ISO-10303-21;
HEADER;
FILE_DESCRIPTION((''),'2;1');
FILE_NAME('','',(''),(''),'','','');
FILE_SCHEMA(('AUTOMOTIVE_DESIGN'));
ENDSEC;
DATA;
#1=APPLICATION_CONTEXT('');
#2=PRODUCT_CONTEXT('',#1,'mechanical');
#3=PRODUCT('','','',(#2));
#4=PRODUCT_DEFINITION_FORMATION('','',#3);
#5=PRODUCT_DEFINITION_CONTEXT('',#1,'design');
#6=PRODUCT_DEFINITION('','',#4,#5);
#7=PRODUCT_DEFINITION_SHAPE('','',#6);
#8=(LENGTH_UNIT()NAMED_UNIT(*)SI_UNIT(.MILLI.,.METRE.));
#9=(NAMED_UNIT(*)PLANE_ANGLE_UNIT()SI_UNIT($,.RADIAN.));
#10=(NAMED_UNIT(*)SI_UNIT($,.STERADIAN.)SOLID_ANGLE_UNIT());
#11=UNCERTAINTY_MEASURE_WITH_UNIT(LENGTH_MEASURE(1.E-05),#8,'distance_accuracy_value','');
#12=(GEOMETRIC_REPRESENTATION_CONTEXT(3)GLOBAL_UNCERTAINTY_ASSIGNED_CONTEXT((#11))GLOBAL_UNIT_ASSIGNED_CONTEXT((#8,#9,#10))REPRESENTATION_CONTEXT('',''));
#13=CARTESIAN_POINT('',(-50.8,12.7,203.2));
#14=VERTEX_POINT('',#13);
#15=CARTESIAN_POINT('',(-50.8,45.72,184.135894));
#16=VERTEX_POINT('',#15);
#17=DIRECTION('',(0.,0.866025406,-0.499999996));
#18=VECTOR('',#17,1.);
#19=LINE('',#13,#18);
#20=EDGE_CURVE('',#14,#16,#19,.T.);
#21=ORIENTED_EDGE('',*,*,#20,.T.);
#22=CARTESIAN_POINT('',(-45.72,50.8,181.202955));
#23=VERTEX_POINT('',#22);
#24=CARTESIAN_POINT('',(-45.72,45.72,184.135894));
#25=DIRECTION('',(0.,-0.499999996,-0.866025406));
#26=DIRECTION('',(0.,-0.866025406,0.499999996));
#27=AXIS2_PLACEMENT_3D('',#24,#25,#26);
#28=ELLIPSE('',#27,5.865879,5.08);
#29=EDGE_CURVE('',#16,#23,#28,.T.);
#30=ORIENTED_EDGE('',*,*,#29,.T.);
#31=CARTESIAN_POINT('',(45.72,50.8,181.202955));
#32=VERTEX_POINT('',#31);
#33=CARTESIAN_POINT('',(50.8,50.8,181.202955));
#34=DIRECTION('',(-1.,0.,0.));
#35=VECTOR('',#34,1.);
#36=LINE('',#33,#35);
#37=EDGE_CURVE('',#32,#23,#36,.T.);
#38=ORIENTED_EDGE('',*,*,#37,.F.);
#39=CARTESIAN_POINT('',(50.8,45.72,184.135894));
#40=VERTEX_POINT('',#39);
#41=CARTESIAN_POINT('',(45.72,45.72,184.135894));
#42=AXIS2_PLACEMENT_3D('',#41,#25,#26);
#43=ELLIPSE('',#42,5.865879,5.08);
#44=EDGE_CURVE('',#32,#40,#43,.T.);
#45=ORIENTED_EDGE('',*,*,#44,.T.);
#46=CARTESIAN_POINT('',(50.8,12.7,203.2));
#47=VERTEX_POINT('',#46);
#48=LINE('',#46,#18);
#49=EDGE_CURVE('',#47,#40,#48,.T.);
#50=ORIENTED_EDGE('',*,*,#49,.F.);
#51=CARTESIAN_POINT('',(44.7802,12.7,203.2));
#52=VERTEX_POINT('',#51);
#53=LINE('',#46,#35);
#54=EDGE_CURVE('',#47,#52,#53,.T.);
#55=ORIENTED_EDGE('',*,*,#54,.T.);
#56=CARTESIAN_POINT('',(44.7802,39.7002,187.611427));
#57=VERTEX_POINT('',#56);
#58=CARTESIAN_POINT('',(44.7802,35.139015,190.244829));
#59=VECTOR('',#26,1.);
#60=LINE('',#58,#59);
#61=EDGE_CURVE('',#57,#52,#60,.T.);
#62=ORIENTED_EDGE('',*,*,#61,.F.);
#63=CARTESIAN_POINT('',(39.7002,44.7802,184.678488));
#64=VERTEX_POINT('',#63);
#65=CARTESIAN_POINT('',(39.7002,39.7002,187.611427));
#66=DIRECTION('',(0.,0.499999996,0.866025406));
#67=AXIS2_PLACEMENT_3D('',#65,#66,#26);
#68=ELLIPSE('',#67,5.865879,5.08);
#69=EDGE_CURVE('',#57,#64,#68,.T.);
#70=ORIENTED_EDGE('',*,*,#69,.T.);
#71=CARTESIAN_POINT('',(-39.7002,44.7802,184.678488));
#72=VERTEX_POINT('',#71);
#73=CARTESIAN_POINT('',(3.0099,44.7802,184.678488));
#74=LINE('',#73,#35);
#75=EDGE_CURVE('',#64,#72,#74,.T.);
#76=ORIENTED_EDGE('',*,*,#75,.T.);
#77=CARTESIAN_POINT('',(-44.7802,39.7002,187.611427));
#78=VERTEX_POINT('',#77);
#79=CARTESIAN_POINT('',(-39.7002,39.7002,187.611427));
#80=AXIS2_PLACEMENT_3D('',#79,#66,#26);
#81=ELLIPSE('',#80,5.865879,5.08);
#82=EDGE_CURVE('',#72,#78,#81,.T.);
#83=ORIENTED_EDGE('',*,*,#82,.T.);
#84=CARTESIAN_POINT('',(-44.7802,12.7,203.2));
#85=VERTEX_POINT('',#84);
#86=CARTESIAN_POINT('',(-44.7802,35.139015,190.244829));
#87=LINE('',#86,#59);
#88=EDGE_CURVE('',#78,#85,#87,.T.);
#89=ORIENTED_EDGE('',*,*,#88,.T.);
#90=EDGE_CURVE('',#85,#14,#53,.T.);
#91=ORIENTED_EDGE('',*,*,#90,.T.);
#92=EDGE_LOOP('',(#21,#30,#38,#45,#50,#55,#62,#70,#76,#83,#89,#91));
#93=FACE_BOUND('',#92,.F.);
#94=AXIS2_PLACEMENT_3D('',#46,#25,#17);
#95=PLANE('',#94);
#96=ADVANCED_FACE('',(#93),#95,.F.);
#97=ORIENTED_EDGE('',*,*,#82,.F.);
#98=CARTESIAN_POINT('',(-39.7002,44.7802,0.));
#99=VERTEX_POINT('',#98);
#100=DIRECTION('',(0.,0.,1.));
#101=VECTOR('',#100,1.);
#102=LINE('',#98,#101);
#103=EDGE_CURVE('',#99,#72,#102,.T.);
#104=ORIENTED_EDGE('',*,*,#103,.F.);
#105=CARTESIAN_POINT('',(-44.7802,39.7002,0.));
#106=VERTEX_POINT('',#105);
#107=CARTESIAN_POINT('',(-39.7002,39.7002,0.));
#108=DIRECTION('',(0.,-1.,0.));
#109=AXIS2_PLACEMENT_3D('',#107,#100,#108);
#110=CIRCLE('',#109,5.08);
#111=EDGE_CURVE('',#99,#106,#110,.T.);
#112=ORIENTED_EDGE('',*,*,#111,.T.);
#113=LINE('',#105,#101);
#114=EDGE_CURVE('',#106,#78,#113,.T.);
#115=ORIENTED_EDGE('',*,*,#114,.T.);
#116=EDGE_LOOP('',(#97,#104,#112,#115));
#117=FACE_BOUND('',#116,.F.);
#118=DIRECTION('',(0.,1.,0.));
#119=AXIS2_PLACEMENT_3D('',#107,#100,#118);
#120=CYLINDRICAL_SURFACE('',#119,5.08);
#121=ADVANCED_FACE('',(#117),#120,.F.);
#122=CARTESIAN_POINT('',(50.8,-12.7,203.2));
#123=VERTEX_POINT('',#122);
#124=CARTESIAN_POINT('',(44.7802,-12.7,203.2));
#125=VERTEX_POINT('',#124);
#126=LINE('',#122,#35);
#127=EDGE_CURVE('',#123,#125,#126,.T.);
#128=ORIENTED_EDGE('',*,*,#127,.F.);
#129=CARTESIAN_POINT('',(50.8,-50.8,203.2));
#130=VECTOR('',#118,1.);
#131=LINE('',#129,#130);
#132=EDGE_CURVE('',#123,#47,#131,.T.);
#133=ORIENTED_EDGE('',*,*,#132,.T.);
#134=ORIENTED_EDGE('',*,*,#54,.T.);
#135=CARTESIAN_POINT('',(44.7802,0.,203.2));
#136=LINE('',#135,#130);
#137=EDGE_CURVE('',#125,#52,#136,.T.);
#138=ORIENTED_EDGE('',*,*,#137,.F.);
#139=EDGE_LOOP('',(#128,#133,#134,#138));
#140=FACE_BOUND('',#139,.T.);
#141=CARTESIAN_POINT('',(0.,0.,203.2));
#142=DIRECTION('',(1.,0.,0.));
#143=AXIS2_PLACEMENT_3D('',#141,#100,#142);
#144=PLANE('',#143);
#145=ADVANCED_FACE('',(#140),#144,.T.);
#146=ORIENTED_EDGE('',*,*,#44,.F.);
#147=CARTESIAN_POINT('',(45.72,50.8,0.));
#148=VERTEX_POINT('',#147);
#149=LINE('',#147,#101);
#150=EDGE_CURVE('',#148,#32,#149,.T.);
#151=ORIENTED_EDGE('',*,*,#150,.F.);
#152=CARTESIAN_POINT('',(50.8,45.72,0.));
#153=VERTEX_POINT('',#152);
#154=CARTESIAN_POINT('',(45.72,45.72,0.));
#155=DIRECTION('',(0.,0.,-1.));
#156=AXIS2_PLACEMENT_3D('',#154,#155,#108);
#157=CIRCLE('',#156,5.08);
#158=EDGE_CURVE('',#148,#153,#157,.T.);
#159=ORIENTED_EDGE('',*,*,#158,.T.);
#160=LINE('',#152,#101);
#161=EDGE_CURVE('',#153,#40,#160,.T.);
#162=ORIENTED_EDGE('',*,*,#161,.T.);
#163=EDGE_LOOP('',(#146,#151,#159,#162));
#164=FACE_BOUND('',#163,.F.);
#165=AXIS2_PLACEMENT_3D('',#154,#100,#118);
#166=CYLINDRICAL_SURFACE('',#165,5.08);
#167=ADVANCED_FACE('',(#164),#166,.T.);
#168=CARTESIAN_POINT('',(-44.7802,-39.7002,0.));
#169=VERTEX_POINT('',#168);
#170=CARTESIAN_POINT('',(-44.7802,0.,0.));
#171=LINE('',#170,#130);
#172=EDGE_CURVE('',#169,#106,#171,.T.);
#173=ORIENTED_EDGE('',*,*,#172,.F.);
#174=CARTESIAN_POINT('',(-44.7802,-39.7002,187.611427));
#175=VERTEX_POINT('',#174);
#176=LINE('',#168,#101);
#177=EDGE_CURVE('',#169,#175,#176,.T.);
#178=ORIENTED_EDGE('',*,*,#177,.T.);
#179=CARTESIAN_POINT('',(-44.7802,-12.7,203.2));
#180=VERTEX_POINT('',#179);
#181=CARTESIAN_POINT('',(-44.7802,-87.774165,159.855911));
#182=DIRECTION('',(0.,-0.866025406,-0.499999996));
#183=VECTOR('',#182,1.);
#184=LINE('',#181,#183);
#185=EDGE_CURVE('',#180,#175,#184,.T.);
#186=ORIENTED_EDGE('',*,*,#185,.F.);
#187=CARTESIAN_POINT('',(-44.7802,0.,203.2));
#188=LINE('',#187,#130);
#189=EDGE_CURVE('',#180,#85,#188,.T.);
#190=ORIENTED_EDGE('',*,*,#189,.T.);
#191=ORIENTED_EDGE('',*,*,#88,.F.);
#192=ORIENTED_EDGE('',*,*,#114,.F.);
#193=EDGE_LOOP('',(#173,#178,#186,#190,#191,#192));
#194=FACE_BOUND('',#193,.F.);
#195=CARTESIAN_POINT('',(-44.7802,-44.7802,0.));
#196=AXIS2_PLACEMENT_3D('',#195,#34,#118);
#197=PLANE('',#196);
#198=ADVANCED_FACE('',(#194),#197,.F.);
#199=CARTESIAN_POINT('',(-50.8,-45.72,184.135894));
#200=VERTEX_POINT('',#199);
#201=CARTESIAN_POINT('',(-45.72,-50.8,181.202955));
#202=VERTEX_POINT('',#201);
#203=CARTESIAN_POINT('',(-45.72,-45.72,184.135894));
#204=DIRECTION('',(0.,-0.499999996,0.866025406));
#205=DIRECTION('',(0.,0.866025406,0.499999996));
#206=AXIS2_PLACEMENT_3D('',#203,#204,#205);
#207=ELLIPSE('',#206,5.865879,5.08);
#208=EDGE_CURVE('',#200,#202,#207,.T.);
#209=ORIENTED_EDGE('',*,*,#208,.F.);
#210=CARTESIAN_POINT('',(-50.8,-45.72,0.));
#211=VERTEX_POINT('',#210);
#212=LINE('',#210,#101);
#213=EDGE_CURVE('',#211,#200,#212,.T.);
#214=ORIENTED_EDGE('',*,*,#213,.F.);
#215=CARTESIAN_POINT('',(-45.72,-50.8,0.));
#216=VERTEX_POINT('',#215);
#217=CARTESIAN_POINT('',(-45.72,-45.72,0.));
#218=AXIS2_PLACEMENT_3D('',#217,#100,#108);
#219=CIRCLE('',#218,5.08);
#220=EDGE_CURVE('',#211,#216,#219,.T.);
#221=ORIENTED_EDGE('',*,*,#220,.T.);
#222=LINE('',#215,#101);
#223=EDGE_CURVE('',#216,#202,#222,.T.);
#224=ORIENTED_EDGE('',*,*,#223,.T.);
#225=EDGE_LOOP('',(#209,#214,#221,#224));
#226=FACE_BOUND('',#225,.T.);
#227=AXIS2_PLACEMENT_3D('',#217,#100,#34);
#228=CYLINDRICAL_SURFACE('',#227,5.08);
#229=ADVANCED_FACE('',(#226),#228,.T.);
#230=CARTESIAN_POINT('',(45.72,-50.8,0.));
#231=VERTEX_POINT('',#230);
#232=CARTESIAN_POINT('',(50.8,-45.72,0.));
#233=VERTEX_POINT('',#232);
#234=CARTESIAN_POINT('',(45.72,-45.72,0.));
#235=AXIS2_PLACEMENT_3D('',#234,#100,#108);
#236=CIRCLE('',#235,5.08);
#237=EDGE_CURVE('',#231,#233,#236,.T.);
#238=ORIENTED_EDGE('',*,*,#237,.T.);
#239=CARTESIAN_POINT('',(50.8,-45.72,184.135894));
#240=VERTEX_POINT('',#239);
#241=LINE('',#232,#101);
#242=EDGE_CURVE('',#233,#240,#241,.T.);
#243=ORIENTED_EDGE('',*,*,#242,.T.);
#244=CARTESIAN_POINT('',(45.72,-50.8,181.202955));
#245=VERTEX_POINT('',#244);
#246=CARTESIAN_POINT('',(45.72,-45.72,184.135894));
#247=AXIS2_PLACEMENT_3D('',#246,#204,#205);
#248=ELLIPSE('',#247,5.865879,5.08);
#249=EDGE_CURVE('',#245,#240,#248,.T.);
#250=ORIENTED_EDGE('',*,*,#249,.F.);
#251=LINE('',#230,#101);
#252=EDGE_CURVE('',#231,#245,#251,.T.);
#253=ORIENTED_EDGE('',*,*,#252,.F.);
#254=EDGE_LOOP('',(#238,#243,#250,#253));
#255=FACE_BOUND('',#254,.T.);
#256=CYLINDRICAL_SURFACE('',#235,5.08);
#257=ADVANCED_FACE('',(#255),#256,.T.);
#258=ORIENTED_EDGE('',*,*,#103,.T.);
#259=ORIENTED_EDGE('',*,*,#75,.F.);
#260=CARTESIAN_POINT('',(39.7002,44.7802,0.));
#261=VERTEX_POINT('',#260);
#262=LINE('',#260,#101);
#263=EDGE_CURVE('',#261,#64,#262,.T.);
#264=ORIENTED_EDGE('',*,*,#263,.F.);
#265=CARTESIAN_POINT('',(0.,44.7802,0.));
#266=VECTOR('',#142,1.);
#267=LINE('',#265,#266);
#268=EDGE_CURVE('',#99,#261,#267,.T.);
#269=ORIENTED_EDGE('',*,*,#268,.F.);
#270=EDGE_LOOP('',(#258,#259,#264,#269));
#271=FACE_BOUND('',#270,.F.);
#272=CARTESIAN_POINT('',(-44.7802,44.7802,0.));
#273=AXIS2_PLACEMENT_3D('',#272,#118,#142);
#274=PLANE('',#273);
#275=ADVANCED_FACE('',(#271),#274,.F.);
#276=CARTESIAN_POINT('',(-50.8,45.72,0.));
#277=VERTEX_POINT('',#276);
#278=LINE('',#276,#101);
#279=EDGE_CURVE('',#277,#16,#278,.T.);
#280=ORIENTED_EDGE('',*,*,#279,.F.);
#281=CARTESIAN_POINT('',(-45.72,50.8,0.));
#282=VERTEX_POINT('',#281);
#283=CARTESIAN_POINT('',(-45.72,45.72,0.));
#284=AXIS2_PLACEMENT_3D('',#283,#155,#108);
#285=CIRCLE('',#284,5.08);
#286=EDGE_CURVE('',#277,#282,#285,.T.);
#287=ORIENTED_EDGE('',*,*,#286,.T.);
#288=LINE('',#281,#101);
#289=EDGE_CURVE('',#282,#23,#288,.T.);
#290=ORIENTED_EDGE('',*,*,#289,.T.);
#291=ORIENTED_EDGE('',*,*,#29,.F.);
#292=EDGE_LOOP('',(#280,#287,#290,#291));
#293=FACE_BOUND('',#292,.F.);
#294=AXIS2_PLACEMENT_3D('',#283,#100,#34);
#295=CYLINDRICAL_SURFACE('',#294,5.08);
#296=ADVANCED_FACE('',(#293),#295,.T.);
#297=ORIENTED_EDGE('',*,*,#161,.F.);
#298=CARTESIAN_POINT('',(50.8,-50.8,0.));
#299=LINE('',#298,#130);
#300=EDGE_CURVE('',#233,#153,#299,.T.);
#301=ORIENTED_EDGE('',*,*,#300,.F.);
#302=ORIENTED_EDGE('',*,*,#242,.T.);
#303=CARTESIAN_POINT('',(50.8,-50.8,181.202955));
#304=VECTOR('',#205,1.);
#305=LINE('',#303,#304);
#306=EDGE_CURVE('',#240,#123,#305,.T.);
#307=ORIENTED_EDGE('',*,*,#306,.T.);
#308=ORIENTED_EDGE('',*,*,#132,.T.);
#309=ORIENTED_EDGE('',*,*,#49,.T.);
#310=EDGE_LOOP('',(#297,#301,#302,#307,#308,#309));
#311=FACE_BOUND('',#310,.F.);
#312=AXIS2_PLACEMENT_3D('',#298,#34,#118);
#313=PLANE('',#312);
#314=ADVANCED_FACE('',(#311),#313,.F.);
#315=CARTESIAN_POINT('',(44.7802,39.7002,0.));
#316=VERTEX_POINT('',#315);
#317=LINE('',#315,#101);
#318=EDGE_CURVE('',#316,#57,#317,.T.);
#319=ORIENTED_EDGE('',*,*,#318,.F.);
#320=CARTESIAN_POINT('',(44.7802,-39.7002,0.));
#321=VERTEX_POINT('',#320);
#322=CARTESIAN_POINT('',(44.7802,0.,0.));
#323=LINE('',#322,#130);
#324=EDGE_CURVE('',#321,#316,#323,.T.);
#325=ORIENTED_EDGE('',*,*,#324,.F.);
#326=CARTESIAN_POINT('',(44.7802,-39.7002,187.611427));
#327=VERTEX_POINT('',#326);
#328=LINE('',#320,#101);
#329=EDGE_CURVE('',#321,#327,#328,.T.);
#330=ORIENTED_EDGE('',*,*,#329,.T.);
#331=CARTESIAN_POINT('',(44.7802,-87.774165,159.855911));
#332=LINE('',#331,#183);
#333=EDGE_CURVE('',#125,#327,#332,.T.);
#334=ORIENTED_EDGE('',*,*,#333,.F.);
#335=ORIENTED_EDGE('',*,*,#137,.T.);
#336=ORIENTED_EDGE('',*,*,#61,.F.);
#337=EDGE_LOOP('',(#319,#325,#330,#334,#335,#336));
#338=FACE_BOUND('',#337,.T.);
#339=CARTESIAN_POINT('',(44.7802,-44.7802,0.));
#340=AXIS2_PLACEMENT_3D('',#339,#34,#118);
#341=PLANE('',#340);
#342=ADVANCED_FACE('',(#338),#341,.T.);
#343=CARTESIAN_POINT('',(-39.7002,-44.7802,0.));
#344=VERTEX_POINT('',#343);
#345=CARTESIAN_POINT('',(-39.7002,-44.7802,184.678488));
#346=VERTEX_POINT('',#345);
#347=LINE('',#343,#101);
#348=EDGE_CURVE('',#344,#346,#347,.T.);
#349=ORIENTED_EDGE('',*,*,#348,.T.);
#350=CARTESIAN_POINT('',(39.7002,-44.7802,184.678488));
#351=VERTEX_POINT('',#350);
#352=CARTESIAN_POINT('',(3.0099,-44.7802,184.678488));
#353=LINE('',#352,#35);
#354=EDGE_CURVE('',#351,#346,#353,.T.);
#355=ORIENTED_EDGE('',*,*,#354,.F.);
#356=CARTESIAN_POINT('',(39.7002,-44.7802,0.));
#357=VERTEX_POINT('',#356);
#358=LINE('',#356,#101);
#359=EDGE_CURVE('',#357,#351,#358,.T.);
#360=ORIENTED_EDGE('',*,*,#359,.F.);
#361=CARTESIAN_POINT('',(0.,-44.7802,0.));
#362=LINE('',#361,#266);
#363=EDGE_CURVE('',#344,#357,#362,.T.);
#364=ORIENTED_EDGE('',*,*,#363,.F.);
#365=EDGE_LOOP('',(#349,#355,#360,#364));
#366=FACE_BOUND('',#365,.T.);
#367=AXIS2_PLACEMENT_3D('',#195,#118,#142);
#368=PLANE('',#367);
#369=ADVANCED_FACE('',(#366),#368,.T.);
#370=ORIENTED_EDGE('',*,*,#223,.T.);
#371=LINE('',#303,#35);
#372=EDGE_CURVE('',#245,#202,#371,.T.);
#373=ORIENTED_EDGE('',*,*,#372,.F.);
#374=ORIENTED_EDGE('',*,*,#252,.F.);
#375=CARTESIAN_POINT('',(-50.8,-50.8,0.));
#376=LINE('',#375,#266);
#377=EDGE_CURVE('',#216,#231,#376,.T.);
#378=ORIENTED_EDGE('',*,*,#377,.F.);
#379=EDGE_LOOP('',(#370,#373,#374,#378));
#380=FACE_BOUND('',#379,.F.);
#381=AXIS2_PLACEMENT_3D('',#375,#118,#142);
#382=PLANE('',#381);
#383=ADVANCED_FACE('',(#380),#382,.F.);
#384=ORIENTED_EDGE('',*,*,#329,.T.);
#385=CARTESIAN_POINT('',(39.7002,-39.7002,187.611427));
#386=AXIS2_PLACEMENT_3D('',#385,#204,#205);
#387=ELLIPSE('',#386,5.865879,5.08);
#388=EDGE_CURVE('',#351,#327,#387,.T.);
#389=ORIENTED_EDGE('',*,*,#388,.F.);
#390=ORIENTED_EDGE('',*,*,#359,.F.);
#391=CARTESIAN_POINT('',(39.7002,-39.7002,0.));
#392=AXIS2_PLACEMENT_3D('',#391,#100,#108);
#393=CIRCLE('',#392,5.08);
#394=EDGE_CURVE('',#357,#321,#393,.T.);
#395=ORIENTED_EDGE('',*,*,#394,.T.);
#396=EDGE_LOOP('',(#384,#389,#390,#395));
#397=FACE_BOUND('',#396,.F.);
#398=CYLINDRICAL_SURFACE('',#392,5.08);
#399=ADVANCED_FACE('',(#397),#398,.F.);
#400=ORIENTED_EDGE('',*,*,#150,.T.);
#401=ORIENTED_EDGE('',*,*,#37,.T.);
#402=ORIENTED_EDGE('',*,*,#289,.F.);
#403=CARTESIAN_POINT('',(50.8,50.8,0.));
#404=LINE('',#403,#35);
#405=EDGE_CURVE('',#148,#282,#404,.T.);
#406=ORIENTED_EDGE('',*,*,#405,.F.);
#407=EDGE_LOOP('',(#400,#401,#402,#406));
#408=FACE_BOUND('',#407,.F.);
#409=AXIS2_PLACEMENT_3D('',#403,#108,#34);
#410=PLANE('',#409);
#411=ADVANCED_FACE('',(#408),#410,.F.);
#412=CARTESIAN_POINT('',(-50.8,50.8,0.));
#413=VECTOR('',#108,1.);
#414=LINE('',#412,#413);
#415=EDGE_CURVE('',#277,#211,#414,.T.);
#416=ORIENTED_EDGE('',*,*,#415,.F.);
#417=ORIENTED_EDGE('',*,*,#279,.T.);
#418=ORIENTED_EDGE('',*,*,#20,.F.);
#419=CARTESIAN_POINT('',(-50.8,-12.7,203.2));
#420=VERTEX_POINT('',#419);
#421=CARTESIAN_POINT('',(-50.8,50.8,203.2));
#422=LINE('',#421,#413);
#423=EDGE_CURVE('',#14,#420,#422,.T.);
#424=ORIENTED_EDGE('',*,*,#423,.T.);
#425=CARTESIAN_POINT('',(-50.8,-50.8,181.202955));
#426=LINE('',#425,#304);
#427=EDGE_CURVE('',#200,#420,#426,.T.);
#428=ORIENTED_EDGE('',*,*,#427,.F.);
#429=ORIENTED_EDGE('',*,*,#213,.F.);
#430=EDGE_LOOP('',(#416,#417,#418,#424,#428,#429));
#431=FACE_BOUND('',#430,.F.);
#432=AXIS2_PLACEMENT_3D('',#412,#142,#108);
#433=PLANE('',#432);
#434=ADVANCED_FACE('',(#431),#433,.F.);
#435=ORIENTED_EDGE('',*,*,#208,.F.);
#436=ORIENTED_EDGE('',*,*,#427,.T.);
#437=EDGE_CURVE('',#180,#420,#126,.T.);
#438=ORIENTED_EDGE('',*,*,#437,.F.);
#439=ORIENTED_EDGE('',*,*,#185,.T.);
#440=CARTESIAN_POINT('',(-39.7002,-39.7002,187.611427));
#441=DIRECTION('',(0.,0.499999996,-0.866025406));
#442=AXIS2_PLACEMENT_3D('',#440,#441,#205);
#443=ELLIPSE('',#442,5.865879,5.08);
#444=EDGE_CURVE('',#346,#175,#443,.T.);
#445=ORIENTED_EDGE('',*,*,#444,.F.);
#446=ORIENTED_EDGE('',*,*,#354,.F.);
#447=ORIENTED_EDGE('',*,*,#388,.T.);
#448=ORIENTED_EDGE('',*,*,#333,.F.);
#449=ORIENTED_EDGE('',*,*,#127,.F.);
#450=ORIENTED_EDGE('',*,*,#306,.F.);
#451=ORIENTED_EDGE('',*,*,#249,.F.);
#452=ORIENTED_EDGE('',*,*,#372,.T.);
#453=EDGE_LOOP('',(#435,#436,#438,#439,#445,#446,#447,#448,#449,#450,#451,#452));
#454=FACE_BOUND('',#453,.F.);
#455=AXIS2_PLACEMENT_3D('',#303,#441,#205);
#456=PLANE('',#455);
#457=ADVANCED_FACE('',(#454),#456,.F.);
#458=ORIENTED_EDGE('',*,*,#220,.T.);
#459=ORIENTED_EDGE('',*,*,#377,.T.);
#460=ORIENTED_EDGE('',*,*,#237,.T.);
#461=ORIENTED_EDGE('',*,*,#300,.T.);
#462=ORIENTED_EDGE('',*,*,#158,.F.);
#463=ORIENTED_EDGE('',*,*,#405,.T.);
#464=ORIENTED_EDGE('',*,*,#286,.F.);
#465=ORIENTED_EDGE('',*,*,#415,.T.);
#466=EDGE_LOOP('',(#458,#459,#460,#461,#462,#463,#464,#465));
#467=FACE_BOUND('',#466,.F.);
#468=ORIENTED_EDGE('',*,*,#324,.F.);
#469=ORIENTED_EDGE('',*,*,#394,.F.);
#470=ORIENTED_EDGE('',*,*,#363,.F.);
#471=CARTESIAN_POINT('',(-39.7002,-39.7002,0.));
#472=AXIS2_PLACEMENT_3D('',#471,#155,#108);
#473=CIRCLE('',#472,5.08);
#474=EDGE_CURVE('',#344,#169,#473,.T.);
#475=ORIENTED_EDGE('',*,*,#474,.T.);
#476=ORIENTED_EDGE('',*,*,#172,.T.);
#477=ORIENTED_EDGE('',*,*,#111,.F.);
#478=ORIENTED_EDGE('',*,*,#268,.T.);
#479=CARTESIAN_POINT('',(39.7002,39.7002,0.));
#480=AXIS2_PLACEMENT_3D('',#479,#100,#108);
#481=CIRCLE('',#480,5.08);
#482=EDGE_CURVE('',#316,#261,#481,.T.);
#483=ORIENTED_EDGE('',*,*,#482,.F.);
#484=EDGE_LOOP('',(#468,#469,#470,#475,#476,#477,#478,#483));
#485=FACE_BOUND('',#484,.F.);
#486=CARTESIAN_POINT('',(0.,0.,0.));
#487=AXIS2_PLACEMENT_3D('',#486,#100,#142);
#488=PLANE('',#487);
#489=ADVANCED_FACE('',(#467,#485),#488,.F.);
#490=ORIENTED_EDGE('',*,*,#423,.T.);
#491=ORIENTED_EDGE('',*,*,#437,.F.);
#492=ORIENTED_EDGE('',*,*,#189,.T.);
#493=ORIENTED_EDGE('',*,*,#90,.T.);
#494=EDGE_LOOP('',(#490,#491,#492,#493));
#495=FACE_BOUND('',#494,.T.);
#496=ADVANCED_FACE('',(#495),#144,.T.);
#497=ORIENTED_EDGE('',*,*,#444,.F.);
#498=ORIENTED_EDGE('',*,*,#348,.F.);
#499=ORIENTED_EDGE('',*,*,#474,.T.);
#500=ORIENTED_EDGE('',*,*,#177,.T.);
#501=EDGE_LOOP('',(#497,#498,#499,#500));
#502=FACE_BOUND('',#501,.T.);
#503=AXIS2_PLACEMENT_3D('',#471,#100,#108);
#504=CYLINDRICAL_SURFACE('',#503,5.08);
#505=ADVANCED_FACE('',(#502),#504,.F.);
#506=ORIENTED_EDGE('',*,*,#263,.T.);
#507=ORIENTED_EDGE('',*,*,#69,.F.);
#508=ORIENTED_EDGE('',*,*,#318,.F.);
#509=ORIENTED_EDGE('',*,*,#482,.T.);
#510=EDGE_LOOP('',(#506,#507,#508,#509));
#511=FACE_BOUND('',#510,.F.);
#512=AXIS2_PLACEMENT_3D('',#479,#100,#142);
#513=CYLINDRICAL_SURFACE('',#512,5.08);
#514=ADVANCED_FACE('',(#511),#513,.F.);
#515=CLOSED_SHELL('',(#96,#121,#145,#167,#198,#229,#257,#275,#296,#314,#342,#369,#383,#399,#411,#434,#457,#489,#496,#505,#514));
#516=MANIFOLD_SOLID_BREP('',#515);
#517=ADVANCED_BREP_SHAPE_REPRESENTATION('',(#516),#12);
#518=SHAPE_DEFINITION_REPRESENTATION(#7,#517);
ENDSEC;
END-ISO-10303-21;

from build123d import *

# Parameters (mm, degrees)
F0_W     = 89.5604
F0_H     = 89.5604
F1_DEPTH = 203.2
F3_DEPTH = 101.6
F4_R     = 5.08


with BuildPart() as f1:
    # F0 (on Top) → F1 (new body)
    with BuildSketch(Plane.XY):
        Polygon((0, 50.8), (-50.8, 50.8), (-50.8, 0), (-50.8, -50.8), (0, -50.8), (50.8, -50.8), (50.8, 0), (50.8, 50.8), align=None)
        Rectangle(F0_W, F0_H, mode=Mode.SUBTRACT)
    extrude(amount=F1_DEPTH)

    # F2 (on face) → F3 (cut)
    with BuildSketch(Plane.YZ.offset(50.8)):
        Polygon((-12.7, 203.2), (-50.8, 203.2), (-50.8, 181.202955), align=None)
        Polygon((50.8, 203.2), (12.7, 203.2), (50.8, 181.202955), align=None)
    extrude(amount=-F3_DEPTH, mode=Mode.SUBTRACT)

    # F4
    f4_edges = [f1.edges().sort_by_distance(p)[0] for p in [
        (-50.8, -50.8, 90.601477),
        (50.8, -50.8, 90.601477),
        (50.8, 50.8, 90.601477),
        (-44.7802, 44.7802, 92.339244),
        (-44.7802, -44.7802, 92.339244),
        (-50.8, 50.8, 90.601477),
        (44.7802, -44.7802, 92.339244),
        (44.7802, 44.7802, 92.339244),
    ]]
    fillet(f4_edges, radius=F4_R)


solid = f1.part
